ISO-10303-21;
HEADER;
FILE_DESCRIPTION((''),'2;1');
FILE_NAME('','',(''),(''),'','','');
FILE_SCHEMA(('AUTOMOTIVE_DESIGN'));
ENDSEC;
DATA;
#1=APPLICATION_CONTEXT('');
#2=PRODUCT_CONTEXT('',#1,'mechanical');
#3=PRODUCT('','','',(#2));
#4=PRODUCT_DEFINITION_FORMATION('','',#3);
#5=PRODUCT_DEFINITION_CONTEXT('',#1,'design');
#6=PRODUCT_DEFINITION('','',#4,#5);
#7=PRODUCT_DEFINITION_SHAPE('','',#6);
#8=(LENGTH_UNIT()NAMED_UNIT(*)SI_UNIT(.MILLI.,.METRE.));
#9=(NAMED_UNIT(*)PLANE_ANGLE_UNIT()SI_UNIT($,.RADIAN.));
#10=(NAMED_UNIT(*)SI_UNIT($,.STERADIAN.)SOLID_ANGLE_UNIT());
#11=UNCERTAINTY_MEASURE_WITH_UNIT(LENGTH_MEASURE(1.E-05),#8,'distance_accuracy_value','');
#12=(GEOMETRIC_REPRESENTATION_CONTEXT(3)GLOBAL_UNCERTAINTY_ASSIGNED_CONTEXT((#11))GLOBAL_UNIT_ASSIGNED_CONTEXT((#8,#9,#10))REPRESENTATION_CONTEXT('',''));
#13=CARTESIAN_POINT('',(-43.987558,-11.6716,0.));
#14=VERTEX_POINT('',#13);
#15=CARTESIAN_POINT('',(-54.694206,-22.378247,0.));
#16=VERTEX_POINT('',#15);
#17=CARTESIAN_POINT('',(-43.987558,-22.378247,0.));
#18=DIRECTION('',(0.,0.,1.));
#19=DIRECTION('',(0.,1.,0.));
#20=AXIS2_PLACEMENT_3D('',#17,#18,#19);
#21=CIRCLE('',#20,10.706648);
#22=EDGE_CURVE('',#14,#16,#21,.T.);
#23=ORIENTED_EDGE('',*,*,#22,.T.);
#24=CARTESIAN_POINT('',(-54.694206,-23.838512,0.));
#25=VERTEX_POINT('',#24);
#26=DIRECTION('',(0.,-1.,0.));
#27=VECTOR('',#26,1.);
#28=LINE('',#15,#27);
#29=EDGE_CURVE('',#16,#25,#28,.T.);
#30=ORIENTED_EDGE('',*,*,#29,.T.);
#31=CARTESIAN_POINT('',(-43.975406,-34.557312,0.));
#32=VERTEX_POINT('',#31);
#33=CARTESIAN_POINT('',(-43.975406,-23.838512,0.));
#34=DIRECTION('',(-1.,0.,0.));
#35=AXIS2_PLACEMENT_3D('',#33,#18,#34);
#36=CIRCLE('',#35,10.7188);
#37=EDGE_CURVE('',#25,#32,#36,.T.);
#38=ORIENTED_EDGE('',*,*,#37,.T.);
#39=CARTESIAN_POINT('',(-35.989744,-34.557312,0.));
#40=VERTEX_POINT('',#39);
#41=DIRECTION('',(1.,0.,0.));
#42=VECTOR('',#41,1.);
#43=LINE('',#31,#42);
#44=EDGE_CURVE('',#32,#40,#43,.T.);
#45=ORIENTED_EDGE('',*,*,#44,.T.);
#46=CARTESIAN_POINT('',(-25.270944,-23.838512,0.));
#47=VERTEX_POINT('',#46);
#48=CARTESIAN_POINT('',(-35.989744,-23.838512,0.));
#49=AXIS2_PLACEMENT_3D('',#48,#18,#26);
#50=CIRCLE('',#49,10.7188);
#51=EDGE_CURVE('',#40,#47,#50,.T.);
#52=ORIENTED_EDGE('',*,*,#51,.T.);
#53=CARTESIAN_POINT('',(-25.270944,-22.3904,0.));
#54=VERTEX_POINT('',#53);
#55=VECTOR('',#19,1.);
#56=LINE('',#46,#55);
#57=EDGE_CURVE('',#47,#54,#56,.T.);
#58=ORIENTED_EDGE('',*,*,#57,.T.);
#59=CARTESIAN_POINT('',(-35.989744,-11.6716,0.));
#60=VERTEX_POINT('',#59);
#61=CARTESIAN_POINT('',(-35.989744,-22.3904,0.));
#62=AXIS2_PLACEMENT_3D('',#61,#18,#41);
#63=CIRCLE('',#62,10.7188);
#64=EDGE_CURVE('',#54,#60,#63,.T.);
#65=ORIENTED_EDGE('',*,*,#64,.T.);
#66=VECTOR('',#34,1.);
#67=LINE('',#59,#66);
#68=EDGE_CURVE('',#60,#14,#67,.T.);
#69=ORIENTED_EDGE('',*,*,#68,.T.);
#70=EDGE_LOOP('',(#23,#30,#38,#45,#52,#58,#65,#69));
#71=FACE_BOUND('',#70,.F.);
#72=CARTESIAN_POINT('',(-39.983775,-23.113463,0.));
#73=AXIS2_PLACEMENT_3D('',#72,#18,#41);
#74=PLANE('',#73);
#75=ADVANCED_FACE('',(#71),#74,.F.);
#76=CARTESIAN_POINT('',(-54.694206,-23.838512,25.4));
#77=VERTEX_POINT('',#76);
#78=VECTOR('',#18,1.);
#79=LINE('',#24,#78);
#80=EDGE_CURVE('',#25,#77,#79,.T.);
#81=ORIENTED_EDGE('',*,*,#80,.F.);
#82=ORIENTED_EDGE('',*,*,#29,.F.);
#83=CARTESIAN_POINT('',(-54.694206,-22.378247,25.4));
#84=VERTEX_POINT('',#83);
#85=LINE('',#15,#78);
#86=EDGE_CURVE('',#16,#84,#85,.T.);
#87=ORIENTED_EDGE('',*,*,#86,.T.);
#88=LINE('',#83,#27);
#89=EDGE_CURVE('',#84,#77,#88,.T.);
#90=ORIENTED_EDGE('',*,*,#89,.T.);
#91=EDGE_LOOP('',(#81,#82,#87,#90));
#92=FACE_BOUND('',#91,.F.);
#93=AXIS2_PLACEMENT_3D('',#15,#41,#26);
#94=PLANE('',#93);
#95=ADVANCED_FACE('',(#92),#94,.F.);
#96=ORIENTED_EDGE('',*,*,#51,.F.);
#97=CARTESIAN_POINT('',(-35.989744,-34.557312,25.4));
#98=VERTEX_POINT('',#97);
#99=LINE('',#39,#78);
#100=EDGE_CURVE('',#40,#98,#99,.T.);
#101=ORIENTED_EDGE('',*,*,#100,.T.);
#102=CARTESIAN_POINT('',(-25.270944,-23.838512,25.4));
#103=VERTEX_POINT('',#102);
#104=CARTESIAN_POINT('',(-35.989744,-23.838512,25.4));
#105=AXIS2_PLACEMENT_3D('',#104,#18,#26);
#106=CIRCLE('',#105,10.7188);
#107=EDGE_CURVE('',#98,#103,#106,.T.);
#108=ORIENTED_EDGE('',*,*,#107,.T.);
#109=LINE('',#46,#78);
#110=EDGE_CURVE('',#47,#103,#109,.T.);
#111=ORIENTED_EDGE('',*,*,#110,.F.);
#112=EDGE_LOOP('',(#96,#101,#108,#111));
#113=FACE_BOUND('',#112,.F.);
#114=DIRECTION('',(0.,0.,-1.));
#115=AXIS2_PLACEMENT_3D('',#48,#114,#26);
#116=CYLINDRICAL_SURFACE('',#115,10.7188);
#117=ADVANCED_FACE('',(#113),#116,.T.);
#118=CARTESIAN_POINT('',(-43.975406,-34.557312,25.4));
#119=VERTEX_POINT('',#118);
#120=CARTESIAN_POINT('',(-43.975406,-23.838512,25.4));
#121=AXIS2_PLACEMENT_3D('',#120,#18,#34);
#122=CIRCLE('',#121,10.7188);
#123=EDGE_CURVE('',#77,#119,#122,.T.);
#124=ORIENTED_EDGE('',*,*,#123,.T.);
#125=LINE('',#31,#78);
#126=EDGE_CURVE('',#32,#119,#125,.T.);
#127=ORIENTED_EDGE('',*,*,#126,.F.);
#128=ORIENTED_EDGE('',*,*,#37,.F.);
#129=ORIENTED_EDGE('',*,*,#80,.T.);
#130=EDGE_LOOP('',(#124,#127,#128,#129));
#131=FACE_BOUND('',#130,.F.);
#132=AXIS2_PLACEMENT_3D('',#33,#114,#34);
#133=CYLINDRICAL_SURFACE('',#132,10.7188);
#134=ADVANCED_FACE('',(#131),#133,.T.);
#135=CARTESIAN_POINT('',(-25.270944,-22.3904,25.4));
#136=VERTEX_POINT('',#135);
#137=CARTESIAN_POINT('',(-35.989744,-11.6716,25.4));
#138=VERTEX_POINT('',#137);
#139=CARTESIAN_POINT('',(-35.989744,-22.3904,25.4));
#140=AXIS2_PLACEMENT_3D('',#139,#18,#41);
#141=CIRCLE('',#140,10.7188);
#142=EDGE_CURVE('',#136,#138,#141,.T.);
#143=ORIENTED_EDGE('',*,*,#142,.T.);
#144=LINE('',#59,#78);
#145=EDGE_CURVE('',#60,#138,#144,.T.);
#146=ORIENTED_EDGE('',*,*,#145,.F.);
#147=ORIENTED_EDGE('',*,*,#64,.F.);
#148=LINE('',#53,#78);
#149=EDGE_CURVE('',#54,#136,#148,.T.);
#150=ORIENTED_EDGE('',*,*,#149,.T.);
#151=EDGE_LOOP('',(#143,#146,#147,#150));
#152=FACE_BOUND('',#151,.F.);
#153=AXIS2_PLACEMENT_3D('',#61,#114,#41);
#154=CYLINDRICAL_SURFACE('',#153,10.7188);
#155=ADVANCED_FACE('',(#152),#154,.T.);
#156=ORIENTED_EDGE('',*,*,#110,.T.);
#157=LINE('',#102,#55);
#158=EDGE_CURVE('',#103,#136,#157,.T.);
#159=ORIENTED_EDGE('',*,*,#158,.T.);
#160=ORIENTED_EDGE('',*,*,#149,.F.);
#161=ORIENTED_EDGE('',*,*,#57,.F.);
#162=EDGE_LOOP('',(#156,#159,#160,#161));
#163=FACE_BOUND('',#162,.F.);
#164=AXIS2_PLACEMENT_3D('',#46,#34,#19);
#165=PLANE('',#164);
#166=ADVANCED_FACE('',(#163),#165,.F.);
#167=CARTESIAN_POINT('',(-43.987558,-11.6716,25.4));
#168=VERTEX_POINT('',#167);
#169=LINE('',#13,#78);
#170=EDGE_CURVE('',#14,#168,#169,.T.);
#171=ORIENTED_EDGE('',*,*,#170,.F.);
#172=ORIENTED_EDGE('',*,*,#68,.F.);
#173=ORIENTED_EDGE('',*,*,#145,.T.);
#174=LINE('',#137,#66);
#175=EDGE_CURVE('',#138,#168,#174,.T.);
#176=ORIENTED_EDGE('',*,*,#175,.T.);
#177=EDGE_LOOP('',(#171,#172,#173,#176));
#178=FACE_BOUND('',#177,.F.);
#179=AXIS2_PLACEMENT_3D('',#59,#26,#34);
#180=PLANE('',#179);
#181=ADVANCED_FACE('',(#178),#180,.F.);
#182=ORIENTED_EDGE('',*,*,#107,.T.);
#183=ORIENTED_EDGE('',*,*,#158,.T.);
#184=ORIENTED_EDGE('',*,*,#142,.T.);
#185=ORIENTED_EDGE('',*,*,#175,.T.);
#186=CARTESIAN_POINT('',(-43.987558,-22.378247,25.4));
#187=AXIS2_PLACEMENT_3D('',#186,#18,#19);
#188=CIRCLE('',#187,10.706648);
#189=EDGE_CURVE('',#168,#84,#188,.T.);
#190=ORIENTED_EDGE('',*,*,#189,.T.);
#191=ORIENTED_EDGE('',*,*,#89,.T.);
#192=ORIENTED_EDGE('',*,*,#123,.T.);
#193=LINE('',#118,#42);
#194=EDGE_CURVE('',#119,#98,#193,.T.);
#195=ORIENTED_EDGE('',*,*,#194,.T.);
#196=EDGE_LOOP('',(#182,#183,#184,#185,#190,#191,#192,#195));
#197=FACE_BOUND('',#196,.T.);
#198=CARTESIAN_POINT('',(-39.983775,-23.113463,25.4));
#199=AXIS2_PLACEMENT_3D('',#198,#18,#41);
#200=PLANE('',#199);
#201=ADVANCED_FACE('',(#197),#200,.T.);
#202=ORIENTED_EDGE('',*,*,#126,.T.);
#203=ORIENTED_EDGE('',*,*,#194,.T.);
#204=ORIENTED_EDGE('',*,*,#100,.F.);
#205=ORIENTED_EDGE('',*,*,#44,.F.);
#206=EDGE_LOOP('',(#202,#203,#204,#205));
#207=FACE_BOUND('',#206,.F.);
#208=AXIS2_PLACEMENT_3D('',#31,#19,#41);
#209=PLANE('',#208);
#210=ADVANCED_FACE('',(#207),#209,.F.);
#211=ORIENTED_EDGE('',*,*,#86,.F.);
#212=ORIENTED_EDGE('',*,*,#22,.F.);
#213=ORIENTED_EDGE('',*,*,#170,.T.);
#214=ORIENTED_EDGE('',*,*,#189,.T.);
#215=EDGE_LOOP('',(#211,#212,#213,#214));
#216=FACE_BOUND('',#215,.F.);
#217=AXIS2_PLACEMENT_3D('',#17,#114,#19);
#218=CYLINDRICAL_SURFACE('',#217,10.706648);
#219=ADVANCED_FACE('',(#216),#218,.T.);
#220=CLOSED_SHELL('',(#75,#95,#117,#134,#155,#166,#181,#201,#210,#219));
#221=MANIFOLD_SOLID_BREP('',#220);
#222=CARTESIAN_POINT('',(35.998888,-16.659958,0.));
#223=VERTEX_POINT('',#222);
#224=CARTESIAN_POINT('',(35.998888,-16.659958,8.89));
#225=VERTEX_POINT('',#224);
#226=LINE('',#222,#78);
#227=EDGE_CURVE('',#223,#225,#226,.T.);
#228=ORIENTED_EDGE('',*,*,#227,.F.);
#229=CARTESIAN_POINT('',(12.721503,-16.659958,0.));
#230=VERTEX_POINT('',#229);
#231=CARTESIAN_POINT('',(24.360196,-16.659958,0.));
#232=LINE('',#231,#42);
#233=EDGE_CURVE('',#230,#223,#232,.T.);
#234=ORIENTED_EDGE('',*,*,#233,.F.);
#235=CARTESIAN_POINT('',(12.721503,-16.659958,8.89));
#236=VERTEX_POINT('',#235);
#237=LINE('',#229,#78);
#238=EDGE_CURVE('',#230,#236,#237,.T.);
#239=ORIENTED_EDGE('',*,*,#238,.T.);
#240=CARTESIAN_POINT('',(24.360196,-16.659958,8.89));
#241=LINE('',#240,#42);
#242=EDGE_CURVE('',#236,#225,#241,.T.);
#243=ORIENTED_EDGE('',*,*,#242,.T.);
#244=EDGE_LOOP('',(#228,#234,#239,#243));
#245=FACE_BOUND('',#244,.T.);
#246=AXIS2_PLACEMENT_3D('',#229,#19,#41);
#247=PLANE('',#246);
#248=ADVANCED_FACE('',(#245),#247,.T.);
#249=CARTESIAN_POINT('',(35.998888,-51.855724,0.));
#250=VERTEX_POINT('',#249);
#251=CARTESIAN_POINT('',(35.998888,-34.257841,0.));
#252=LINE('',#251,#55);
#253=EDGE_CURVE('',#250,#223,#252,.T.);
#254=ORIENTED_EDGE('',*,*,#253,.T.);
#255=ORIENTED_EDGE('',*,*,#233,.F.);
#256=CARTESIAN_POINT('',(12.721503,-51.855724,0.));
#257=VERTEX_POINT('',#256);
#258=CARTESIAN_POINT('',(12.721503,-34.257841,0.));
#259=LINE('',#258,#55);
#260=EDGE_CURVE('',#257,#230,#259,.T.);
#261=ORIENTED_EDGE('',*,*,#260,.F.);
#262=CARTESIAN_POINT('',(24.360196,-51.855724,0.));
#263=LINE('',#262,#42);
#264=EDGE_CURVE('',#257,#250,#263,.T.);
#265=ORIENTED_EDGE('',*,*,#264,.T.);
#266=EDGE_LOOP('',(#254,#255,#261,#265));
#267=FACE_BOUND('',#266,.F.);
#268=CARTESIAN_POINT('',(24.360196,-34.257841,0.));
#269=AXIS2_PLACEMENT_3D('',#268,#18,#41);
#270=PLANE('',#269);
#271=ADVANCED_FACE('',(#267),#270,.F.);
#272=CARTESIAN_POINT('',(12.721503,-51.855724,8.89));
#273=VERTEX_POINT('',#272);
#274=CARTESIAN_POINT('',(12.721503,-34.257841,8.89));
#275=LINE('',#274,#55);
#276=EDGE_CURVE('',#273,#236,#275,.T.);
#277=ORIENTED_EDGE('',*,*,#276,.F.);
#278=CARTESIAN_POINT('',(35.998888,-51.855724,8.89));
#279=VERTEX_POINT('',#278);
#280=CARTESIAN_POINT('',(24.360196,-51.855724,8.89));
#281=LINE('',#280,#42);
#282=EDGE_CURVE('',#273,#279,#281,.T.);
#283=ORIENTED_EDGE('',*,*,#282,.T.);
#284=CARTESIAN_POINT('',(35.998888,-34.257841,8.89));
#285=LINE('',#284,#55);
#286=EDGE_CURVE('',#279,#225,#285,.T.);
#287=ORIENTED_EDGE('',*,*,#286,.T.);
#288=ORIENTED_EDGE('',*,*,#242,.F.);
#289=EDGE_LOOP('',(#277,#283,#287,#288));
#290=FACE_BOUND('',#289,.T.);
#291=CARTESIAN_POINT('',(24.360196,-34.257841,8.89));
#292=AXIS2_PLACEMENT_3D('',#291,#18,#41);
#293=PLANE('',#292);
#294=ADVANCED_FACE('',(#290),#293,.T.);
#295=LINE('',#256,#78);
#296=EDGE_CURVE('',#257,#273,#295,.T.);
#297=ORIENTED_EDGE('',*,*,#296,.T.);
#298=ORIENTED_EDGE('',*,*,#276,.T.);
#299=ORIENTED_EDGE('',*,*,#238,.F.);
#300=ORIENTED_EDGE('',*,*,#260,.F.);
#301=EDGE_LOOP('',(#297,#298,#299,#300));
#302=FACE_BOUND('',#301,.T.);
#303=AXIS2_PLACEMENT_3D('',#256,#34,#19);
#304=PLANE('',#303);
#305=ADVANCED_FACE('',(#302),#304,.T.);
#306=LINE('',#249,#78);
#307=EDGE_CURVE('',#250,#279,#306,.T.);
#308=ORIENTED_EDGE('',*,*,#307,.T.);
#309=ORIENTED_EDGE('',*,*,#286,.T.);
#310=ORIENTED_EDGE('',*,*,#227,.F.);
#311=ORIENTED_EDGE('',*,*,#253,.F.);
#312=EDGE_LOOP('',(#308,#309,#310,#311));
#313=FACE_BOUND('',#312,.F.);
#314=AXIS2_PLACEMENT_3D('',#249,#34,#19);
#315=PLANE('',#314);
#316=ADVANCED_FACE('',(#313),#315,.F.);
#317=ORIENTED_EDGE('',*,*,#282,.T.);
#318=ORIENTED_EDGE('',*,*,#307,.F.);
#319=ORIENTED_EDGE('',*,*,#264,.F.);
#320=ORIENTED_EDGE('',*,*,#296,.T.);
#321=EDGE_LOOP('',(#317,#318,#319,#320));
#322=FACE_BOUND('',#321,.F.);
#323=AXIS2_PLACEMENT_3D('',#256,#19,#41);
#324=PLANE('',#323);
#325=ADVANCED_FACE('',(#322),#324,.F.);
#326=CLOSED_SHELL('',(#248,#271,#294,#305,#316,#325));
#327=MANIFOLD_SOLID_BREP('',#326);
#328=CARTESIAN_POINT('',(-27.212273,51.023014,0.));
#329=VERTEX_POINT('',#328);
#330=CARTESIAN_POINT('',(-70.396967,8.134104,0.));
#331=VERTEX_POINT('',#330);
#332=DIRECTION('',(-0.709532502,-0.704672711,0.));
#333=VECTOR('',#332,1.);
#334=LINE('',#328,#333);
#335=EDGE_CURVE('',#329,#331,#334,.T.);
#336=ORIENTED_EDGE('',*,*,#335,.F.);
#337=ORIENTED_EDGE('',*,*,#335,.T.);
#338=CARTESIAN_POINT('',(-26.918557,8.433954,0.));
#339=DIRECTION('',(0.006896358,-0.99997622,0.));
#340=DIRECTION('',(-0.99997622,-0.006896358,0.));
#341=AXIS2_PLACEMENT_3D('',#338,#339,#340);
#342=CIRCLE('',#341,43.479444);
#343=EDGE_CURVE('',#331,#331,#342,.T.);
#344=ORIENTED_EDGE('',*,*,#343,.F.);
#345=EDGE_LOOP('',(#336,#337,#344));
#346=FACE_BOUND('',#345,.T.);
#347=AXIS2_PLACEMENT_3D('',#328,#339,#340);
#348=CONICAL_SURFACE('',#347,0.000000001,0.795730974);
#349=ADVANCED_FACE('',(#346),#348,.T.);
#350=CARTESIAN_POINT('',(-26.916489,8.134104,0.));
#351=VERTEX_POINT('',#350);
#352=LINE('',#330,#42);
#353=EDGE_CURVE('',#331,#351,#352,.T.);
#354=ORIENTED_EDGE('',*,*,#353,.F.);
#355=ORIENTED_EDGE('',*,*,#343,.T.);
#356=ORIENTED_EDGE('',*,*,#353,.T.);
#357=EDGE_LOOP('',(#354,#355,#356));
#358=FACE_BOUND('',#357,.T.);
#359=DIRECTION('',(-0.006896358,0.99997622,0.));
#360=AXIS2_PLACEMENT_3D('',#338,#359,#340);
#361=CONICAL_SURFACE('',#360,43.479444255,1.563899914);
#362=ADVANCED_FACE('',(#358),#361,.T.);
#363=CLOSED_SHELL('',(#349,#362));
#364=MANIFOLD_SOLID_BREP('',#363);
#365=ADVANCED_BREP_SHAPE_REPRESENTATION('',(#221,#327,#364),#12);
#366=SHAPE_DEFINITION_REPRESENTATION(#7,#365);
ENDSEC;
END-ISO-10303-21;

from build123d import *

# Parameters (mm, degrees)
F3_DEPTH = 25.4
F4_W     = 23.2773851603
F4_H     = 35.1957660168
F5_DEPTH = 8.89


with BuildPart() as f1:
    # F0 (on Top) → F1 (revolve)
    with BuildSketch(Plane.XY):
        Polygon((-26.9164890051, 8.1341043115), (-27.2122733295, 51.0230138898), (-70.3969672322, 8.1341043115), align=None)
    revolve(axis=Axis((-27.0643811673, 29.5785591006, 0), (0.0068963584, -0.9999762198, 0)))


with BuildPart() as f3:
    # F2 (on Top) → F3 (new body)
    with BuildSketch(Plane.XY):
        with BuildLine():
            Line((-35.9897436637, -11.671599932), (-43.9875580206, -11.671599932))
            ThreePointArc((-43.9875580206, -11.671599932), (-51.558301073, -14.8075043816), (-54.6942055225, -22.378247434))
            Line((-54.6942055225, -22.378247434), (-54.6942055225, -23.8385121609))
            ThreePointArc((-54.6942055225, -23.8385121609), (-51.5547416887, -31.4178483271), (-43.9754055225, -34.5573121609))
            Line((-43.9754055225, -34.5573121609), (-35.9897436637, -34.5573121609))
            ThreePointArc((-35.9897436637, -34.5573121609), (-28.4104074975, -31.4178483271), (-25.2709436637, -23.8385121609))
            Line((-25.2709436637, -23.8385121609), (-25.2709436637, -22.390399932))
            ThreePointArc((-25.2709436637, -22.390399932), (-28.4104074975, -14.8110637658), (-35.9897436637, -11.671599932))
        make_face()
    extrude(amount=F3_DEPTH)


with BuildPart() as f5:
    # F4 (on Top) → F5 (new body)
    with BuildSketch(Plane.XY):
        with Locations((24.3601957336, -34.2578412965)):
            Rectangle(F4_W, F4_H)
    extrude(amount=F5_DEPTH)


solid = Compound([f1.part, f3.part, f5.part])
